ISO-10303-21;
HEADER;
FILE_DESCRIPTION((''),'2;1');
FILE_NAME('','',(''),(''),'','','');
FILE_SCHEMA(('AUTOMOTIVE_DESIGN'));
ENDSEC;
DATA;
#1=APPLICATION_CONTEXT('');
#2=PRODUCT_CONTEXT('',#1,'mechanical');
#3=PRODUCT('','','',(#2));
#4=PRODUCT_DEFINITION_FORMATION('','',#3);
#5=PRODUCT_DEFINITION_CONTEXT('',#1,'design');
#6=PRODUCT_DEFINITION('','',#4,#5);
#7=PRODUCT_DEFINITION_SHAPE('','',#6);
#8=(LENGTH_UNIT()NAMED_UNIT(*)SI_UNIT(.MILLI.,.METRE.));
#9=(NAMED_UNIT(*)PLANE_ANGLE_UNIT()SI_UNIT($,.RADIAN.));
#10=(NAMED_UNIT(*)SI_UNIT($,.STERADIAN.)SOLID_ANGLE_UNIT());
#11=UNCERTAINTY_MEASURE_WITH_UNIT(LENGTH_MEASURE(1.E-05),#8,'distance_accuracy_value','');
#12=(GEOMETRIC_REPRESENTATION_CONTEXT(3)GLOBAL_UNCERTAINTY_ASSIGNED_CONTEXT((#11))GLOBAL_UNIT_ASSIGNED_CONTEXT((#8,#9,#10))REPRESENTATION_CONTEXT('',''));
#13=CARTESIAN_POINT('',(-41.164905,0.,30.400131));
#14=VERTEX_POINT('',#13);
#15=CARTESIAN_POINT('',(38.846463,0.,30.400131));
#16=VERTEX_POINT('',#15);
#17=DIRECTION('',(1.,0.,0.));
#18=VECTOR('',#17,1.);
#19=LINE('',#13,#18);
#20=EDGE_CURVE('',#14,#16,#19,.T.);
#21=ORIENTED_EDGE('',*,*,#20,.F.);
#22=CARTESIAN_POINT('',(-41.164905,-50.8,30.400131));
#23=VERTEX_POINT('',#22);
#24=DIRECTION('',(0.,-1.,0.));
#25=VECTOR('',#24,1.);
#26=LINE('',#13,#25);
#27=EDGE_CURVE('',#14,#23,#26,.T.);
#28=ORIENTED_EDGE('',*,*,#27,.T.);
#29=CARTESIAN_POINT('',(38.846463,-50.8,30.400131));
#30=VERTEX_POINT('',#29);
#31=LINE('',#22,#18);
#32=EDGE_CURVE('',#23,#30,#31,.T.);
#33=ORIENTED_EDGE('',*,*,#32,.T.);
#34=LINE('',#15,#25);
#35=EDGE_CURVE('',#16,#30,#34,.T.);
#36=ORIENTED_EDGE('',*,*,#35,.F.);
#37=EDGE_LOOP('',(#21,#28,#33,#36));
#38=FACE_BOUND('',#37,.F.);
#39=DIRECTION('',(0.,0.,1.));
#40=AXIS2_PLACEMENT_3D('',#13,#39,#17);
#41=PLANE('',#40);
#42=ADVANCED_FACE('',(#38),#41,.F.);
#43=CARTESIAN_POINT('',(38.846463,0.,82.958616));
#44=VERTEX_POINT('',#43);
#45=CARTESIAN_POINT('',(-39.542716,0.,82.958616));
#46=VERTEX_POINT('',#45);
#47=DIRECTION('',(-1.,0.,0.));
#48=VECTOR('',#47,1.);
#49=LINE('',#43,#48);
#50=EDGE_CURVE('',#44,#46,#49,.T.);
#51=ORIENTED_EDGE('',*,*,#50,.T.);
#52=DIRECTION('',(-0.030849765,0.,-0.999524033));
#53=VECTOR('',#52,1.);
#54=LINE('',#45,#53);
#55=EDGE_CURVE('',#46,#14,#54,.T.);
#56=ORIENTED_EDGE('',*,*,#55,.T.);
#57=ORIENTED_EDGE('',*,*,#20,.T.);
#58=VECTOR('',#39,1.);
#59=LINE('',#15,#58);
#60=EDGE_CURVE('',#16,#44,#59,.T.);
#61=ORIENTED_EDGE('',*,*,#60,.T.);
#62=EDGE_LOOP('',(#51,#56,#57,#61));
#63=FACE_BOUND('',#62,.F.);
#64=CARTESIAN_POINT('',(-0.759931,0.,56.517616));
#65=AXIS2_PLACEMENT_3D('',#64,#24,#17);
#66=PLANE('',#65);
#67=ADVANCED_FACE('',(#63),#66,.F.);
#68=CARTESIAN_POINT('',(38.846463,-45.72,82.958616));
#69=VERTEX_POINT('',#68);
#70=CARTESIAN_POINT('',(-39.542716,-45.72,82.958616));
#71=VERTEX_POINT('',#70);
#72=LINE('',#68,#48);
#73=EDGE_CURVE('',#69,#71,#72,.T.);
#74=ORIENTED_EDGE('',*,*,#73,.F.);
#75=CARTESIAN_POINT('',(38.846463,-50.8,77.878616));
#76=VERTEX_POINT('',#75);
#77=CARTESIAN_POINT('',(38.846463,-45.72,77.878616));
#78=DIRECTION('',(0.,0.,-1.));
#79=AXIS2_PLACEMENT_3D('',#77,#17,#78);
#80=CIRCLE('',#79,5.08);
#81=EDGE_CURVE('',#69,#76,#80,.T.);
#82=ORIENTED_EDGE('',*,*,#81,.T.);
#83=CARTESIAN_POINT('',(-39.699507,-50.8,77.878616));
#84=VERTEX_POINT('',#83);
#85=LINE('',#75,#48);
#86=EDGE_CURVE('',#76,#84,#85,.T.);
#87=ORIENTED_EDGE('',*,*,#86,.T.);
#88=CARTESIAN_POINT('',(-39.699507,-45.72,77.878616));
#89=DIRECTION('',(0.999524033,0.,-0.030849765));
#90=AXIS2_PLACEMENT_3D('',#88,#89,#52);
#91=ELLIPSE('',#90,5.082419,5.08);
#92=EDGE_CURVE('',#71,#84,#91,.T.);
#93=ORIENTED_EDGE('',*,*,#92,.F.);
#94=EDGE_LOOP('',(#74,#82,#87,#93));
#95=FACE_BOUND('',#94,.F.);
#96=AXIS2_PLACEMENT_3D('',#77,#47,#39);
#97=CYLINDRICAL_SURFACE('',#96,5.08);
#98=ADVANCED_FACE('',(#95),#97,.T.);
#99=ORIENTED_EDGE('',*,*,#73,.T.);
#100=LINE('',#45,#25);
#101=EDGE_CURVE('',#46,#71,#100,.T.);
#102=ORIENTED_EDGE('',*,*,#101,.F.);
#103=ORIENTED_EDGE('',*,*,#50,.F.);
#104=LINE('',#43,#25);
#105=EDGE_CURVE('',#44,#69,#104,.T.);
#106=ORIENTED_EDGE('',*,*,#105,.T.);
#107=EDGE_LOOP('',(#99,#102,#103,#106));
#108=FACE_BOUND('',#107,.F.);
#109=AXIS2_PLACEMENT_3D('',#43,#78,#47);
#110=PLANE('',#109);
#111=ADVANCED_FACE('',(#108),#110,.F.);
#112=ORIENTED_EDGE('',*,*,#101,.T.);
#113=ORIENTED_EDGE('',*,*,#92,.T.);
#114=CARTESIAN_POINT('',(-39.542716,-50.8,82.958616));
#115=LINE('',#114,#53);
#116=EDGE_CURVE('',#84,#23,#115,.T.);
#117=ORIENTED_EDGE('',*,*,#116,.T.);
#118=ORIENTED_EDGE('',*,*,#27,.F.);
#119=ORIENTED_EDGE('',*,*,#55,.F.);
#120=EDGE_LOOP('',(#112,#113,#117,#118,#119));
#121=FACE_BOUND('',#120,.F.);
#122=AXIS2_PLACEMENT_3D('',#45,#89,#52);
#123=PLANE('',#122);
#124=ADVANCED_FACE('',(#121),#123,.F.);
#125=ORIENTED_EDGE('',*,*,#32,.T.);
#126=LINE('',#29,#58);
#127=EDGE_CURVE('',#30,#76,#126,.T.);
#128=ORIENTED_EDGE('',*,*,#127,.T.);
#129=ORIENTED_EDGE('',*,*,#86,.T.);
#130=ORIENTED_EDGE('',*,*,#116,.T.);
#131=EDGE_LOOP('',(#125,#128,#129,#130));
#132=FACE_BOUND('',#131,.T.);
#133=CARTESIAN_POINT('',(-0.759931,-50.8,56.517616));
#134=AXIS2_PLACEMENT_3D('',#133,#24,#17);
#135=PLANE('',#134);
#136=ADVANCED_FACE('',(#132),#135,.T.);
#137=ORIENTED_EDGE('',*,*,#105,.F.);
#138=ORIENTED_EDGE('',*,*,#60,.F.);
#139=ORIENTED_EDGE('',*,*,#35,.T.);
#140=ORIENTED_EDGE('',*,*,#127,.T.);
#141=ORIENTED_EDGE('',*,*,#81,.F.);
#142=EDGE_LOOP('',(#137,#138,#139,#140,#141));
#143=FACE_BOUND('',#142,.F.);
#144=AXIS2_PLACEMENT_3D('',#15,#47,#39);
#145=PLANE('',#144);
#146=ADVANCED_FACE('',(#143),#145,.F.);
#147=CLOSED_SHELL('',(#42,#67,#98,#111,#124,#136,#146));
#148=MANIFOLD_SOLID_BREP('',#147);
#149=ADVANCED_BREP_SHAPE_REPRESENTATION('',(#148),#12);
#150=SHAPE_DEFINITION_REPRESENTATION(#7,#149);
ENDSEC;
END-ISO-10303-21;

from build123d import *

# Parameters (mm, degrees)
F1_DEPTH = 50.8
F2_R     = 5.08


with BuildPart() as f1:
    # F0 (on Front) → F1 (new body)
    with BuildSketch(Plane.XZ):
        Polygon((-39.542716, 82.958616), (-41.164905, 30.400131), (38.846463, 30.400131), (38.846463, 82.958616), align=None)
    extrude(amount=F1_DEPTH)

    # F2
    f2_edges = [f1.edges().sort_by_distance(p)[0] for p in [
        (-0.348127, -50.8, 82.958616),
    ]]
    fillet(f2_edges, radius=F2_R)


solid = f1.part
